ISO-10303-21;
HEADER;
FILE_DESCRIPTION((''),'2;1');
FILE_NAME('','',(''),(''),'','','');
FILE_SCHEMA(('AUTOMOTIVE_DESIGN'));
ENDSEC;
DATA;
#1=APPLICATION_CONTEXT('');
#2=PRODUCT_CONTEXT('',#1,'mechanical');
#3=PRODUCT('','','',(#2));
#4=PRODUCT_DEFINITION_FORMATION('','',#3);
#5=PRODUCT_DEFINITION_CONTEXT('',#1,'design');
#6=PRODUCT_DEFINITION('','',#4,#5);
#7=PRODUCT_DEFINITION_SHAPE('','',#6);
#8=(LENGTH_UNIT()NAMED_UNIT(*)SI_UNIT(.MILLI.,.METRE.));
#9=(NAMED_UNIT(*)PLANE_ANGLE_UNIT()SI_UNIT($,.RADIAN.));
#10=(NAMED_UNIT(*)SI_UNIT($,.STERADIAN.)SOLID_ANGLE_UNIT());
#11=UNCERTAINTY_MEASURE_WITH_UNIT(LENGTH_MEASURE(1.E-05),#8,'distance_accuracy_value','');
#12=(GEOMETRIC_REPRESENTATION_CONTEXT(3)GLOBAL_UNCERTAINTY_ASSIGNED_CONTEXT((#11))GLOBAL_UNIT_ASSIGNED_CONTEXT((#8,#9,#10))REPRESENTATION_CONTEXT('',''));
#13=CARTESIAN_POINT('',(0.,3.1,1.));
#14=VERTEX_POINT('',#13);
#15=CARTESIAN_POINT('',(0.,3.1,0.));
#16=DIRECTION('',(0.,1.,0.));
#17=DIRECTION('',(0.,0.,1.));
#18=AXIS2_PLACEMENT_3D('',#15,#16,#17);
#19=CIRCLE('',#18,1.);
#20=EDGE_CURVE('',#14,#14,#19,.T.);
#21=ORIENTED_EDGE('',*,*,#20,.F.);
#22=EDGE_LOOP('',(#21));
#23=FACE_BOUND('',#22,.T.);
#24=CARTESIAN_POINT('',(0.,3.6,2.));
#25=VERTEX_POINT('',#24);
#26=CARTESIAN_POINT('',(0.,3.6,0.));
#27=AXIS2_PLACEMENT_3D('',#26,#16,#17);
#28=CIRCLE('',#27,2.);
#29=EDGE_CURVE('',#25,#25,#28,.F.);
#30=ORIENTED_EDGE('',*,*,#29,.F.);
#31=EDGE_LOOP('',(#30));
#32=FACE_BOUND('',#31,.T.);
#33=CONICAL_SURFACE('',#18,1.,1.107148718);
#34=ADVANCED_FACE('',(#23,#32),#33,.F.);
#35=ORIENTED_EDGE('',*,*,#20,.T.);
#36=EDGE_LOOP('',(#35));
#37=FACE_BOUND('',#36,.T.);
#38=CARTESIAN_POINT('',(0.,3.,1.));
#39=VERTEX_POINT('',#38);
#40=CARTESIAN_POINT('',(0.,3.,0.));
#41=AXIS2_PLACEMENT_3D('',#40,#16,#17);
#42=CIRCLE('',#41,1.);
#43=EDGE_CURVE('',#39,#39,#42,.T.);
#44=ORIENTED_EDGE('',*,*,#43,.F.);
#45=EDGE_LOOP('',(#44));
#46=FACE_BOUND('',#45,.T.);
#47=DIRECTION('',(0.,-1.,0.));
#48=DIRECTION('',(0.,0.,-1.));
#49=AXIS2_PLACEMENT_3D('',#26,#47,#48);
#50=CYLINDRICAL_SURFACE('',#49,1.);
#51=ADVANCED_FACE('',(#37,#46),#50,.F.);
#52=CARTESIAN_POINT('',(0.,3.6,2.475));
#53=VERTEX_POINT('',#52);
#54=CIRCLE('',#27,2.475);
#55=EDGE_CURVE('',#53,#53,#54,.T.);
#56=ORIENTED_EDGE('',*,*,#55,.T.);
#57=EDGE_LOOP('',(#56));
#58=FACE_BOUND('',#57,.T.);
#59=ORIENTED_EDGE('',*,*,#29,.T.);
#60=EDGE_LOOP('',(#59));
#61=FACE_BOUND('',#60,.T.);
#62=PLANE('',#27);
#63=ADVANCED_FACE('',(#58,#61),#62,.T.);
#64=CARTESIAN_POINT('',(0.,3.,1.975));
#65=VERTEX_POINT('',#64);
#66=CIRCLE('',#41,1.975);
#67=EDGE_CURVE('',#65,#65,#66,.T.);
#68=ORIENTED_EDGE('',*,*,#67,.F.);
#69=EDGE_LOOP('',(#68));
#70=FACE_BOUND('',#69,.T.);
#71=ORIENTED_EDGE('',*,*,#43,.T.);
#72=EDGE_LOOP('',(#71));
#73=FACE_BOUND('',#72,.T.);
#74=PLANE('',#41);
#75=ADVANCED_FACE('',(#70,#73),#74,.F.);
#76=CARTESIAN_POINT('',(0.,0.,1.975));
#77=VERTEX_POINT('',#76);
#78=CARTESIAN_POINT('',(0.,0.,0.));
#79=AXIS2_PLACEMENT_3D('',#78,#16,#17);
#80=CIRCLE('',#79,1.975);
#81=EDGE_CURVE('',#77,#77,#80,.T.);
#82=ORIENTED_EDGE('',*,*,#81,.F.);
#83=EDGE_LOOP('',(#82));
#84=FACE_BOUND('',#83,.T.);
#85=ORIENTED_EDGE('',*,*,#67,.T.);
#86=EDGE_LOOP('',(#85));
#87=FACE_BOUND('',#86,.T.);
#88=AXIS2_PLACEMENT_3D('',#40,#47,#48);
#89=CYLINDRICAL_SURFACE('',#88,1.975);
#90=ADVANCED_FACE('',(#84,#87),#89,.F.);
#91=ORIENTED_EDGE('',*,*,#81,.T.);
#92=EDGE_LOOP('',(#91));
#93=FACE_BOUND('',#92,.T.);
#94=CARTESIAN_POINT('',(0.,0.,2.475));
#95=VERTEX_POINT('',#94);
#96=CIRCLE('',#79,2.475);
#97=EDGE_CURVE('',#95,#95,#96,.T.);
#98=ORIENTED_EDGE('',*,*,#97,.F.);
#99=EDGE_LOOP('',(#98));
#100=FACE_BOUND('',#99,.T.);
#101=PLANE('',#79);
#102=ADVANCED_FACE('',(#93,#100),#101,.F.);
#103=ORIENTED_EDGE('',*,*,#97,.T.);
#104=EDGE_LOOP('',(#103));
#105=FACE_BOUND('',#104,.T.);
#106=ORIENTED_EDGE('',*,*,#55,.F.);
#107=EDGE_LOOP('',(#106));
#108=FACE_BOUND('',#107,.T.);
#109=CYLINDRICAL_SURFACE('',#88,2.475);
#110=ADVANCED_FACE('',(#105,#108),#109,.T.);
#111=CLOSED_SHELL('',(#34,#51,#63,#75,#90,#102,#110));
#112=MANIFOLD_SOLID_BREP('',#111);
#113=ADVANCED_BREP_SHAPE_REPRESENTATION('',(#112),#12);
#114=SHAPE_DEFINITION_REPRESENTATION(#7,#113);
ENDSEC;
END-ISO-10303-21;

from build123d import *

# Parameters (mm, degrees)
SKETCH1_R           = 2.475
SKETCH1_R_2         = 1.975
BOSS_EXTRUDE1_DEPTH = 3
SKETCH2_R           = 2.475
SKETCH2_R_2         = 1
BOSS_EXTRUDE2_DEPTH = 0.6
CHAMFER1_SIZE       = 1
CHAMFER1_SIZE2      = 0.5


with BuildPart() as part:
    # Sketch1 → Boss-Extrude1 (new body)
    with BuildSketch(Plane(origin=(0, 0, 0), x_dir=(1, 0, 0), z_dir=(0, 1, 0))):
        with Locations(Location((0, 0, 0), (0, 0, 270))):
            Circle(SKETCH1_R)
        with Locations(Location((0, 0, 0), (0, 0, 270))):
            Circle(SKETCH1_R_2, mode=Mode.SUBTRACT)
    extrude(amount=BOSS_EXTRUDE1_DEPTH)

    # Sketch2 → Boss-Extrude2 (add)
    with BuildSketch(Plane(origin=(0, 3, 0), x_dir=(1, 0, 0), z_dir=(0, 1, 0))):
        with Locations(Location((0, 0, 0), (0, 0, 270))):
            Circle(SKETCH2_R)
        with Locations(Location((0, 0, 0), (0, 0, 270))):
            Circle(SKETCH2_R_2, mode=Mode.SUBTRACT)
    extrude(amount=BOSS_EXTRUDE2_DEPTH)

    # Chamfer1
    chamfer1_edges = [part.edges().sort_by_distance(p)[0] for p in [
        (0, 3.6, -1),
    ]]
    chamfer1_side = [part.faces().sort_by_distance(p)[0] for p in [
        (0, 3.6, -2.404996429),
    ]]
    chamfer(chamfer1_edges, length=CHAMFER1_SIZE, length2=CHAMFER1_SIZE2, reference=chamfer1_side[0])


solid = part.part
